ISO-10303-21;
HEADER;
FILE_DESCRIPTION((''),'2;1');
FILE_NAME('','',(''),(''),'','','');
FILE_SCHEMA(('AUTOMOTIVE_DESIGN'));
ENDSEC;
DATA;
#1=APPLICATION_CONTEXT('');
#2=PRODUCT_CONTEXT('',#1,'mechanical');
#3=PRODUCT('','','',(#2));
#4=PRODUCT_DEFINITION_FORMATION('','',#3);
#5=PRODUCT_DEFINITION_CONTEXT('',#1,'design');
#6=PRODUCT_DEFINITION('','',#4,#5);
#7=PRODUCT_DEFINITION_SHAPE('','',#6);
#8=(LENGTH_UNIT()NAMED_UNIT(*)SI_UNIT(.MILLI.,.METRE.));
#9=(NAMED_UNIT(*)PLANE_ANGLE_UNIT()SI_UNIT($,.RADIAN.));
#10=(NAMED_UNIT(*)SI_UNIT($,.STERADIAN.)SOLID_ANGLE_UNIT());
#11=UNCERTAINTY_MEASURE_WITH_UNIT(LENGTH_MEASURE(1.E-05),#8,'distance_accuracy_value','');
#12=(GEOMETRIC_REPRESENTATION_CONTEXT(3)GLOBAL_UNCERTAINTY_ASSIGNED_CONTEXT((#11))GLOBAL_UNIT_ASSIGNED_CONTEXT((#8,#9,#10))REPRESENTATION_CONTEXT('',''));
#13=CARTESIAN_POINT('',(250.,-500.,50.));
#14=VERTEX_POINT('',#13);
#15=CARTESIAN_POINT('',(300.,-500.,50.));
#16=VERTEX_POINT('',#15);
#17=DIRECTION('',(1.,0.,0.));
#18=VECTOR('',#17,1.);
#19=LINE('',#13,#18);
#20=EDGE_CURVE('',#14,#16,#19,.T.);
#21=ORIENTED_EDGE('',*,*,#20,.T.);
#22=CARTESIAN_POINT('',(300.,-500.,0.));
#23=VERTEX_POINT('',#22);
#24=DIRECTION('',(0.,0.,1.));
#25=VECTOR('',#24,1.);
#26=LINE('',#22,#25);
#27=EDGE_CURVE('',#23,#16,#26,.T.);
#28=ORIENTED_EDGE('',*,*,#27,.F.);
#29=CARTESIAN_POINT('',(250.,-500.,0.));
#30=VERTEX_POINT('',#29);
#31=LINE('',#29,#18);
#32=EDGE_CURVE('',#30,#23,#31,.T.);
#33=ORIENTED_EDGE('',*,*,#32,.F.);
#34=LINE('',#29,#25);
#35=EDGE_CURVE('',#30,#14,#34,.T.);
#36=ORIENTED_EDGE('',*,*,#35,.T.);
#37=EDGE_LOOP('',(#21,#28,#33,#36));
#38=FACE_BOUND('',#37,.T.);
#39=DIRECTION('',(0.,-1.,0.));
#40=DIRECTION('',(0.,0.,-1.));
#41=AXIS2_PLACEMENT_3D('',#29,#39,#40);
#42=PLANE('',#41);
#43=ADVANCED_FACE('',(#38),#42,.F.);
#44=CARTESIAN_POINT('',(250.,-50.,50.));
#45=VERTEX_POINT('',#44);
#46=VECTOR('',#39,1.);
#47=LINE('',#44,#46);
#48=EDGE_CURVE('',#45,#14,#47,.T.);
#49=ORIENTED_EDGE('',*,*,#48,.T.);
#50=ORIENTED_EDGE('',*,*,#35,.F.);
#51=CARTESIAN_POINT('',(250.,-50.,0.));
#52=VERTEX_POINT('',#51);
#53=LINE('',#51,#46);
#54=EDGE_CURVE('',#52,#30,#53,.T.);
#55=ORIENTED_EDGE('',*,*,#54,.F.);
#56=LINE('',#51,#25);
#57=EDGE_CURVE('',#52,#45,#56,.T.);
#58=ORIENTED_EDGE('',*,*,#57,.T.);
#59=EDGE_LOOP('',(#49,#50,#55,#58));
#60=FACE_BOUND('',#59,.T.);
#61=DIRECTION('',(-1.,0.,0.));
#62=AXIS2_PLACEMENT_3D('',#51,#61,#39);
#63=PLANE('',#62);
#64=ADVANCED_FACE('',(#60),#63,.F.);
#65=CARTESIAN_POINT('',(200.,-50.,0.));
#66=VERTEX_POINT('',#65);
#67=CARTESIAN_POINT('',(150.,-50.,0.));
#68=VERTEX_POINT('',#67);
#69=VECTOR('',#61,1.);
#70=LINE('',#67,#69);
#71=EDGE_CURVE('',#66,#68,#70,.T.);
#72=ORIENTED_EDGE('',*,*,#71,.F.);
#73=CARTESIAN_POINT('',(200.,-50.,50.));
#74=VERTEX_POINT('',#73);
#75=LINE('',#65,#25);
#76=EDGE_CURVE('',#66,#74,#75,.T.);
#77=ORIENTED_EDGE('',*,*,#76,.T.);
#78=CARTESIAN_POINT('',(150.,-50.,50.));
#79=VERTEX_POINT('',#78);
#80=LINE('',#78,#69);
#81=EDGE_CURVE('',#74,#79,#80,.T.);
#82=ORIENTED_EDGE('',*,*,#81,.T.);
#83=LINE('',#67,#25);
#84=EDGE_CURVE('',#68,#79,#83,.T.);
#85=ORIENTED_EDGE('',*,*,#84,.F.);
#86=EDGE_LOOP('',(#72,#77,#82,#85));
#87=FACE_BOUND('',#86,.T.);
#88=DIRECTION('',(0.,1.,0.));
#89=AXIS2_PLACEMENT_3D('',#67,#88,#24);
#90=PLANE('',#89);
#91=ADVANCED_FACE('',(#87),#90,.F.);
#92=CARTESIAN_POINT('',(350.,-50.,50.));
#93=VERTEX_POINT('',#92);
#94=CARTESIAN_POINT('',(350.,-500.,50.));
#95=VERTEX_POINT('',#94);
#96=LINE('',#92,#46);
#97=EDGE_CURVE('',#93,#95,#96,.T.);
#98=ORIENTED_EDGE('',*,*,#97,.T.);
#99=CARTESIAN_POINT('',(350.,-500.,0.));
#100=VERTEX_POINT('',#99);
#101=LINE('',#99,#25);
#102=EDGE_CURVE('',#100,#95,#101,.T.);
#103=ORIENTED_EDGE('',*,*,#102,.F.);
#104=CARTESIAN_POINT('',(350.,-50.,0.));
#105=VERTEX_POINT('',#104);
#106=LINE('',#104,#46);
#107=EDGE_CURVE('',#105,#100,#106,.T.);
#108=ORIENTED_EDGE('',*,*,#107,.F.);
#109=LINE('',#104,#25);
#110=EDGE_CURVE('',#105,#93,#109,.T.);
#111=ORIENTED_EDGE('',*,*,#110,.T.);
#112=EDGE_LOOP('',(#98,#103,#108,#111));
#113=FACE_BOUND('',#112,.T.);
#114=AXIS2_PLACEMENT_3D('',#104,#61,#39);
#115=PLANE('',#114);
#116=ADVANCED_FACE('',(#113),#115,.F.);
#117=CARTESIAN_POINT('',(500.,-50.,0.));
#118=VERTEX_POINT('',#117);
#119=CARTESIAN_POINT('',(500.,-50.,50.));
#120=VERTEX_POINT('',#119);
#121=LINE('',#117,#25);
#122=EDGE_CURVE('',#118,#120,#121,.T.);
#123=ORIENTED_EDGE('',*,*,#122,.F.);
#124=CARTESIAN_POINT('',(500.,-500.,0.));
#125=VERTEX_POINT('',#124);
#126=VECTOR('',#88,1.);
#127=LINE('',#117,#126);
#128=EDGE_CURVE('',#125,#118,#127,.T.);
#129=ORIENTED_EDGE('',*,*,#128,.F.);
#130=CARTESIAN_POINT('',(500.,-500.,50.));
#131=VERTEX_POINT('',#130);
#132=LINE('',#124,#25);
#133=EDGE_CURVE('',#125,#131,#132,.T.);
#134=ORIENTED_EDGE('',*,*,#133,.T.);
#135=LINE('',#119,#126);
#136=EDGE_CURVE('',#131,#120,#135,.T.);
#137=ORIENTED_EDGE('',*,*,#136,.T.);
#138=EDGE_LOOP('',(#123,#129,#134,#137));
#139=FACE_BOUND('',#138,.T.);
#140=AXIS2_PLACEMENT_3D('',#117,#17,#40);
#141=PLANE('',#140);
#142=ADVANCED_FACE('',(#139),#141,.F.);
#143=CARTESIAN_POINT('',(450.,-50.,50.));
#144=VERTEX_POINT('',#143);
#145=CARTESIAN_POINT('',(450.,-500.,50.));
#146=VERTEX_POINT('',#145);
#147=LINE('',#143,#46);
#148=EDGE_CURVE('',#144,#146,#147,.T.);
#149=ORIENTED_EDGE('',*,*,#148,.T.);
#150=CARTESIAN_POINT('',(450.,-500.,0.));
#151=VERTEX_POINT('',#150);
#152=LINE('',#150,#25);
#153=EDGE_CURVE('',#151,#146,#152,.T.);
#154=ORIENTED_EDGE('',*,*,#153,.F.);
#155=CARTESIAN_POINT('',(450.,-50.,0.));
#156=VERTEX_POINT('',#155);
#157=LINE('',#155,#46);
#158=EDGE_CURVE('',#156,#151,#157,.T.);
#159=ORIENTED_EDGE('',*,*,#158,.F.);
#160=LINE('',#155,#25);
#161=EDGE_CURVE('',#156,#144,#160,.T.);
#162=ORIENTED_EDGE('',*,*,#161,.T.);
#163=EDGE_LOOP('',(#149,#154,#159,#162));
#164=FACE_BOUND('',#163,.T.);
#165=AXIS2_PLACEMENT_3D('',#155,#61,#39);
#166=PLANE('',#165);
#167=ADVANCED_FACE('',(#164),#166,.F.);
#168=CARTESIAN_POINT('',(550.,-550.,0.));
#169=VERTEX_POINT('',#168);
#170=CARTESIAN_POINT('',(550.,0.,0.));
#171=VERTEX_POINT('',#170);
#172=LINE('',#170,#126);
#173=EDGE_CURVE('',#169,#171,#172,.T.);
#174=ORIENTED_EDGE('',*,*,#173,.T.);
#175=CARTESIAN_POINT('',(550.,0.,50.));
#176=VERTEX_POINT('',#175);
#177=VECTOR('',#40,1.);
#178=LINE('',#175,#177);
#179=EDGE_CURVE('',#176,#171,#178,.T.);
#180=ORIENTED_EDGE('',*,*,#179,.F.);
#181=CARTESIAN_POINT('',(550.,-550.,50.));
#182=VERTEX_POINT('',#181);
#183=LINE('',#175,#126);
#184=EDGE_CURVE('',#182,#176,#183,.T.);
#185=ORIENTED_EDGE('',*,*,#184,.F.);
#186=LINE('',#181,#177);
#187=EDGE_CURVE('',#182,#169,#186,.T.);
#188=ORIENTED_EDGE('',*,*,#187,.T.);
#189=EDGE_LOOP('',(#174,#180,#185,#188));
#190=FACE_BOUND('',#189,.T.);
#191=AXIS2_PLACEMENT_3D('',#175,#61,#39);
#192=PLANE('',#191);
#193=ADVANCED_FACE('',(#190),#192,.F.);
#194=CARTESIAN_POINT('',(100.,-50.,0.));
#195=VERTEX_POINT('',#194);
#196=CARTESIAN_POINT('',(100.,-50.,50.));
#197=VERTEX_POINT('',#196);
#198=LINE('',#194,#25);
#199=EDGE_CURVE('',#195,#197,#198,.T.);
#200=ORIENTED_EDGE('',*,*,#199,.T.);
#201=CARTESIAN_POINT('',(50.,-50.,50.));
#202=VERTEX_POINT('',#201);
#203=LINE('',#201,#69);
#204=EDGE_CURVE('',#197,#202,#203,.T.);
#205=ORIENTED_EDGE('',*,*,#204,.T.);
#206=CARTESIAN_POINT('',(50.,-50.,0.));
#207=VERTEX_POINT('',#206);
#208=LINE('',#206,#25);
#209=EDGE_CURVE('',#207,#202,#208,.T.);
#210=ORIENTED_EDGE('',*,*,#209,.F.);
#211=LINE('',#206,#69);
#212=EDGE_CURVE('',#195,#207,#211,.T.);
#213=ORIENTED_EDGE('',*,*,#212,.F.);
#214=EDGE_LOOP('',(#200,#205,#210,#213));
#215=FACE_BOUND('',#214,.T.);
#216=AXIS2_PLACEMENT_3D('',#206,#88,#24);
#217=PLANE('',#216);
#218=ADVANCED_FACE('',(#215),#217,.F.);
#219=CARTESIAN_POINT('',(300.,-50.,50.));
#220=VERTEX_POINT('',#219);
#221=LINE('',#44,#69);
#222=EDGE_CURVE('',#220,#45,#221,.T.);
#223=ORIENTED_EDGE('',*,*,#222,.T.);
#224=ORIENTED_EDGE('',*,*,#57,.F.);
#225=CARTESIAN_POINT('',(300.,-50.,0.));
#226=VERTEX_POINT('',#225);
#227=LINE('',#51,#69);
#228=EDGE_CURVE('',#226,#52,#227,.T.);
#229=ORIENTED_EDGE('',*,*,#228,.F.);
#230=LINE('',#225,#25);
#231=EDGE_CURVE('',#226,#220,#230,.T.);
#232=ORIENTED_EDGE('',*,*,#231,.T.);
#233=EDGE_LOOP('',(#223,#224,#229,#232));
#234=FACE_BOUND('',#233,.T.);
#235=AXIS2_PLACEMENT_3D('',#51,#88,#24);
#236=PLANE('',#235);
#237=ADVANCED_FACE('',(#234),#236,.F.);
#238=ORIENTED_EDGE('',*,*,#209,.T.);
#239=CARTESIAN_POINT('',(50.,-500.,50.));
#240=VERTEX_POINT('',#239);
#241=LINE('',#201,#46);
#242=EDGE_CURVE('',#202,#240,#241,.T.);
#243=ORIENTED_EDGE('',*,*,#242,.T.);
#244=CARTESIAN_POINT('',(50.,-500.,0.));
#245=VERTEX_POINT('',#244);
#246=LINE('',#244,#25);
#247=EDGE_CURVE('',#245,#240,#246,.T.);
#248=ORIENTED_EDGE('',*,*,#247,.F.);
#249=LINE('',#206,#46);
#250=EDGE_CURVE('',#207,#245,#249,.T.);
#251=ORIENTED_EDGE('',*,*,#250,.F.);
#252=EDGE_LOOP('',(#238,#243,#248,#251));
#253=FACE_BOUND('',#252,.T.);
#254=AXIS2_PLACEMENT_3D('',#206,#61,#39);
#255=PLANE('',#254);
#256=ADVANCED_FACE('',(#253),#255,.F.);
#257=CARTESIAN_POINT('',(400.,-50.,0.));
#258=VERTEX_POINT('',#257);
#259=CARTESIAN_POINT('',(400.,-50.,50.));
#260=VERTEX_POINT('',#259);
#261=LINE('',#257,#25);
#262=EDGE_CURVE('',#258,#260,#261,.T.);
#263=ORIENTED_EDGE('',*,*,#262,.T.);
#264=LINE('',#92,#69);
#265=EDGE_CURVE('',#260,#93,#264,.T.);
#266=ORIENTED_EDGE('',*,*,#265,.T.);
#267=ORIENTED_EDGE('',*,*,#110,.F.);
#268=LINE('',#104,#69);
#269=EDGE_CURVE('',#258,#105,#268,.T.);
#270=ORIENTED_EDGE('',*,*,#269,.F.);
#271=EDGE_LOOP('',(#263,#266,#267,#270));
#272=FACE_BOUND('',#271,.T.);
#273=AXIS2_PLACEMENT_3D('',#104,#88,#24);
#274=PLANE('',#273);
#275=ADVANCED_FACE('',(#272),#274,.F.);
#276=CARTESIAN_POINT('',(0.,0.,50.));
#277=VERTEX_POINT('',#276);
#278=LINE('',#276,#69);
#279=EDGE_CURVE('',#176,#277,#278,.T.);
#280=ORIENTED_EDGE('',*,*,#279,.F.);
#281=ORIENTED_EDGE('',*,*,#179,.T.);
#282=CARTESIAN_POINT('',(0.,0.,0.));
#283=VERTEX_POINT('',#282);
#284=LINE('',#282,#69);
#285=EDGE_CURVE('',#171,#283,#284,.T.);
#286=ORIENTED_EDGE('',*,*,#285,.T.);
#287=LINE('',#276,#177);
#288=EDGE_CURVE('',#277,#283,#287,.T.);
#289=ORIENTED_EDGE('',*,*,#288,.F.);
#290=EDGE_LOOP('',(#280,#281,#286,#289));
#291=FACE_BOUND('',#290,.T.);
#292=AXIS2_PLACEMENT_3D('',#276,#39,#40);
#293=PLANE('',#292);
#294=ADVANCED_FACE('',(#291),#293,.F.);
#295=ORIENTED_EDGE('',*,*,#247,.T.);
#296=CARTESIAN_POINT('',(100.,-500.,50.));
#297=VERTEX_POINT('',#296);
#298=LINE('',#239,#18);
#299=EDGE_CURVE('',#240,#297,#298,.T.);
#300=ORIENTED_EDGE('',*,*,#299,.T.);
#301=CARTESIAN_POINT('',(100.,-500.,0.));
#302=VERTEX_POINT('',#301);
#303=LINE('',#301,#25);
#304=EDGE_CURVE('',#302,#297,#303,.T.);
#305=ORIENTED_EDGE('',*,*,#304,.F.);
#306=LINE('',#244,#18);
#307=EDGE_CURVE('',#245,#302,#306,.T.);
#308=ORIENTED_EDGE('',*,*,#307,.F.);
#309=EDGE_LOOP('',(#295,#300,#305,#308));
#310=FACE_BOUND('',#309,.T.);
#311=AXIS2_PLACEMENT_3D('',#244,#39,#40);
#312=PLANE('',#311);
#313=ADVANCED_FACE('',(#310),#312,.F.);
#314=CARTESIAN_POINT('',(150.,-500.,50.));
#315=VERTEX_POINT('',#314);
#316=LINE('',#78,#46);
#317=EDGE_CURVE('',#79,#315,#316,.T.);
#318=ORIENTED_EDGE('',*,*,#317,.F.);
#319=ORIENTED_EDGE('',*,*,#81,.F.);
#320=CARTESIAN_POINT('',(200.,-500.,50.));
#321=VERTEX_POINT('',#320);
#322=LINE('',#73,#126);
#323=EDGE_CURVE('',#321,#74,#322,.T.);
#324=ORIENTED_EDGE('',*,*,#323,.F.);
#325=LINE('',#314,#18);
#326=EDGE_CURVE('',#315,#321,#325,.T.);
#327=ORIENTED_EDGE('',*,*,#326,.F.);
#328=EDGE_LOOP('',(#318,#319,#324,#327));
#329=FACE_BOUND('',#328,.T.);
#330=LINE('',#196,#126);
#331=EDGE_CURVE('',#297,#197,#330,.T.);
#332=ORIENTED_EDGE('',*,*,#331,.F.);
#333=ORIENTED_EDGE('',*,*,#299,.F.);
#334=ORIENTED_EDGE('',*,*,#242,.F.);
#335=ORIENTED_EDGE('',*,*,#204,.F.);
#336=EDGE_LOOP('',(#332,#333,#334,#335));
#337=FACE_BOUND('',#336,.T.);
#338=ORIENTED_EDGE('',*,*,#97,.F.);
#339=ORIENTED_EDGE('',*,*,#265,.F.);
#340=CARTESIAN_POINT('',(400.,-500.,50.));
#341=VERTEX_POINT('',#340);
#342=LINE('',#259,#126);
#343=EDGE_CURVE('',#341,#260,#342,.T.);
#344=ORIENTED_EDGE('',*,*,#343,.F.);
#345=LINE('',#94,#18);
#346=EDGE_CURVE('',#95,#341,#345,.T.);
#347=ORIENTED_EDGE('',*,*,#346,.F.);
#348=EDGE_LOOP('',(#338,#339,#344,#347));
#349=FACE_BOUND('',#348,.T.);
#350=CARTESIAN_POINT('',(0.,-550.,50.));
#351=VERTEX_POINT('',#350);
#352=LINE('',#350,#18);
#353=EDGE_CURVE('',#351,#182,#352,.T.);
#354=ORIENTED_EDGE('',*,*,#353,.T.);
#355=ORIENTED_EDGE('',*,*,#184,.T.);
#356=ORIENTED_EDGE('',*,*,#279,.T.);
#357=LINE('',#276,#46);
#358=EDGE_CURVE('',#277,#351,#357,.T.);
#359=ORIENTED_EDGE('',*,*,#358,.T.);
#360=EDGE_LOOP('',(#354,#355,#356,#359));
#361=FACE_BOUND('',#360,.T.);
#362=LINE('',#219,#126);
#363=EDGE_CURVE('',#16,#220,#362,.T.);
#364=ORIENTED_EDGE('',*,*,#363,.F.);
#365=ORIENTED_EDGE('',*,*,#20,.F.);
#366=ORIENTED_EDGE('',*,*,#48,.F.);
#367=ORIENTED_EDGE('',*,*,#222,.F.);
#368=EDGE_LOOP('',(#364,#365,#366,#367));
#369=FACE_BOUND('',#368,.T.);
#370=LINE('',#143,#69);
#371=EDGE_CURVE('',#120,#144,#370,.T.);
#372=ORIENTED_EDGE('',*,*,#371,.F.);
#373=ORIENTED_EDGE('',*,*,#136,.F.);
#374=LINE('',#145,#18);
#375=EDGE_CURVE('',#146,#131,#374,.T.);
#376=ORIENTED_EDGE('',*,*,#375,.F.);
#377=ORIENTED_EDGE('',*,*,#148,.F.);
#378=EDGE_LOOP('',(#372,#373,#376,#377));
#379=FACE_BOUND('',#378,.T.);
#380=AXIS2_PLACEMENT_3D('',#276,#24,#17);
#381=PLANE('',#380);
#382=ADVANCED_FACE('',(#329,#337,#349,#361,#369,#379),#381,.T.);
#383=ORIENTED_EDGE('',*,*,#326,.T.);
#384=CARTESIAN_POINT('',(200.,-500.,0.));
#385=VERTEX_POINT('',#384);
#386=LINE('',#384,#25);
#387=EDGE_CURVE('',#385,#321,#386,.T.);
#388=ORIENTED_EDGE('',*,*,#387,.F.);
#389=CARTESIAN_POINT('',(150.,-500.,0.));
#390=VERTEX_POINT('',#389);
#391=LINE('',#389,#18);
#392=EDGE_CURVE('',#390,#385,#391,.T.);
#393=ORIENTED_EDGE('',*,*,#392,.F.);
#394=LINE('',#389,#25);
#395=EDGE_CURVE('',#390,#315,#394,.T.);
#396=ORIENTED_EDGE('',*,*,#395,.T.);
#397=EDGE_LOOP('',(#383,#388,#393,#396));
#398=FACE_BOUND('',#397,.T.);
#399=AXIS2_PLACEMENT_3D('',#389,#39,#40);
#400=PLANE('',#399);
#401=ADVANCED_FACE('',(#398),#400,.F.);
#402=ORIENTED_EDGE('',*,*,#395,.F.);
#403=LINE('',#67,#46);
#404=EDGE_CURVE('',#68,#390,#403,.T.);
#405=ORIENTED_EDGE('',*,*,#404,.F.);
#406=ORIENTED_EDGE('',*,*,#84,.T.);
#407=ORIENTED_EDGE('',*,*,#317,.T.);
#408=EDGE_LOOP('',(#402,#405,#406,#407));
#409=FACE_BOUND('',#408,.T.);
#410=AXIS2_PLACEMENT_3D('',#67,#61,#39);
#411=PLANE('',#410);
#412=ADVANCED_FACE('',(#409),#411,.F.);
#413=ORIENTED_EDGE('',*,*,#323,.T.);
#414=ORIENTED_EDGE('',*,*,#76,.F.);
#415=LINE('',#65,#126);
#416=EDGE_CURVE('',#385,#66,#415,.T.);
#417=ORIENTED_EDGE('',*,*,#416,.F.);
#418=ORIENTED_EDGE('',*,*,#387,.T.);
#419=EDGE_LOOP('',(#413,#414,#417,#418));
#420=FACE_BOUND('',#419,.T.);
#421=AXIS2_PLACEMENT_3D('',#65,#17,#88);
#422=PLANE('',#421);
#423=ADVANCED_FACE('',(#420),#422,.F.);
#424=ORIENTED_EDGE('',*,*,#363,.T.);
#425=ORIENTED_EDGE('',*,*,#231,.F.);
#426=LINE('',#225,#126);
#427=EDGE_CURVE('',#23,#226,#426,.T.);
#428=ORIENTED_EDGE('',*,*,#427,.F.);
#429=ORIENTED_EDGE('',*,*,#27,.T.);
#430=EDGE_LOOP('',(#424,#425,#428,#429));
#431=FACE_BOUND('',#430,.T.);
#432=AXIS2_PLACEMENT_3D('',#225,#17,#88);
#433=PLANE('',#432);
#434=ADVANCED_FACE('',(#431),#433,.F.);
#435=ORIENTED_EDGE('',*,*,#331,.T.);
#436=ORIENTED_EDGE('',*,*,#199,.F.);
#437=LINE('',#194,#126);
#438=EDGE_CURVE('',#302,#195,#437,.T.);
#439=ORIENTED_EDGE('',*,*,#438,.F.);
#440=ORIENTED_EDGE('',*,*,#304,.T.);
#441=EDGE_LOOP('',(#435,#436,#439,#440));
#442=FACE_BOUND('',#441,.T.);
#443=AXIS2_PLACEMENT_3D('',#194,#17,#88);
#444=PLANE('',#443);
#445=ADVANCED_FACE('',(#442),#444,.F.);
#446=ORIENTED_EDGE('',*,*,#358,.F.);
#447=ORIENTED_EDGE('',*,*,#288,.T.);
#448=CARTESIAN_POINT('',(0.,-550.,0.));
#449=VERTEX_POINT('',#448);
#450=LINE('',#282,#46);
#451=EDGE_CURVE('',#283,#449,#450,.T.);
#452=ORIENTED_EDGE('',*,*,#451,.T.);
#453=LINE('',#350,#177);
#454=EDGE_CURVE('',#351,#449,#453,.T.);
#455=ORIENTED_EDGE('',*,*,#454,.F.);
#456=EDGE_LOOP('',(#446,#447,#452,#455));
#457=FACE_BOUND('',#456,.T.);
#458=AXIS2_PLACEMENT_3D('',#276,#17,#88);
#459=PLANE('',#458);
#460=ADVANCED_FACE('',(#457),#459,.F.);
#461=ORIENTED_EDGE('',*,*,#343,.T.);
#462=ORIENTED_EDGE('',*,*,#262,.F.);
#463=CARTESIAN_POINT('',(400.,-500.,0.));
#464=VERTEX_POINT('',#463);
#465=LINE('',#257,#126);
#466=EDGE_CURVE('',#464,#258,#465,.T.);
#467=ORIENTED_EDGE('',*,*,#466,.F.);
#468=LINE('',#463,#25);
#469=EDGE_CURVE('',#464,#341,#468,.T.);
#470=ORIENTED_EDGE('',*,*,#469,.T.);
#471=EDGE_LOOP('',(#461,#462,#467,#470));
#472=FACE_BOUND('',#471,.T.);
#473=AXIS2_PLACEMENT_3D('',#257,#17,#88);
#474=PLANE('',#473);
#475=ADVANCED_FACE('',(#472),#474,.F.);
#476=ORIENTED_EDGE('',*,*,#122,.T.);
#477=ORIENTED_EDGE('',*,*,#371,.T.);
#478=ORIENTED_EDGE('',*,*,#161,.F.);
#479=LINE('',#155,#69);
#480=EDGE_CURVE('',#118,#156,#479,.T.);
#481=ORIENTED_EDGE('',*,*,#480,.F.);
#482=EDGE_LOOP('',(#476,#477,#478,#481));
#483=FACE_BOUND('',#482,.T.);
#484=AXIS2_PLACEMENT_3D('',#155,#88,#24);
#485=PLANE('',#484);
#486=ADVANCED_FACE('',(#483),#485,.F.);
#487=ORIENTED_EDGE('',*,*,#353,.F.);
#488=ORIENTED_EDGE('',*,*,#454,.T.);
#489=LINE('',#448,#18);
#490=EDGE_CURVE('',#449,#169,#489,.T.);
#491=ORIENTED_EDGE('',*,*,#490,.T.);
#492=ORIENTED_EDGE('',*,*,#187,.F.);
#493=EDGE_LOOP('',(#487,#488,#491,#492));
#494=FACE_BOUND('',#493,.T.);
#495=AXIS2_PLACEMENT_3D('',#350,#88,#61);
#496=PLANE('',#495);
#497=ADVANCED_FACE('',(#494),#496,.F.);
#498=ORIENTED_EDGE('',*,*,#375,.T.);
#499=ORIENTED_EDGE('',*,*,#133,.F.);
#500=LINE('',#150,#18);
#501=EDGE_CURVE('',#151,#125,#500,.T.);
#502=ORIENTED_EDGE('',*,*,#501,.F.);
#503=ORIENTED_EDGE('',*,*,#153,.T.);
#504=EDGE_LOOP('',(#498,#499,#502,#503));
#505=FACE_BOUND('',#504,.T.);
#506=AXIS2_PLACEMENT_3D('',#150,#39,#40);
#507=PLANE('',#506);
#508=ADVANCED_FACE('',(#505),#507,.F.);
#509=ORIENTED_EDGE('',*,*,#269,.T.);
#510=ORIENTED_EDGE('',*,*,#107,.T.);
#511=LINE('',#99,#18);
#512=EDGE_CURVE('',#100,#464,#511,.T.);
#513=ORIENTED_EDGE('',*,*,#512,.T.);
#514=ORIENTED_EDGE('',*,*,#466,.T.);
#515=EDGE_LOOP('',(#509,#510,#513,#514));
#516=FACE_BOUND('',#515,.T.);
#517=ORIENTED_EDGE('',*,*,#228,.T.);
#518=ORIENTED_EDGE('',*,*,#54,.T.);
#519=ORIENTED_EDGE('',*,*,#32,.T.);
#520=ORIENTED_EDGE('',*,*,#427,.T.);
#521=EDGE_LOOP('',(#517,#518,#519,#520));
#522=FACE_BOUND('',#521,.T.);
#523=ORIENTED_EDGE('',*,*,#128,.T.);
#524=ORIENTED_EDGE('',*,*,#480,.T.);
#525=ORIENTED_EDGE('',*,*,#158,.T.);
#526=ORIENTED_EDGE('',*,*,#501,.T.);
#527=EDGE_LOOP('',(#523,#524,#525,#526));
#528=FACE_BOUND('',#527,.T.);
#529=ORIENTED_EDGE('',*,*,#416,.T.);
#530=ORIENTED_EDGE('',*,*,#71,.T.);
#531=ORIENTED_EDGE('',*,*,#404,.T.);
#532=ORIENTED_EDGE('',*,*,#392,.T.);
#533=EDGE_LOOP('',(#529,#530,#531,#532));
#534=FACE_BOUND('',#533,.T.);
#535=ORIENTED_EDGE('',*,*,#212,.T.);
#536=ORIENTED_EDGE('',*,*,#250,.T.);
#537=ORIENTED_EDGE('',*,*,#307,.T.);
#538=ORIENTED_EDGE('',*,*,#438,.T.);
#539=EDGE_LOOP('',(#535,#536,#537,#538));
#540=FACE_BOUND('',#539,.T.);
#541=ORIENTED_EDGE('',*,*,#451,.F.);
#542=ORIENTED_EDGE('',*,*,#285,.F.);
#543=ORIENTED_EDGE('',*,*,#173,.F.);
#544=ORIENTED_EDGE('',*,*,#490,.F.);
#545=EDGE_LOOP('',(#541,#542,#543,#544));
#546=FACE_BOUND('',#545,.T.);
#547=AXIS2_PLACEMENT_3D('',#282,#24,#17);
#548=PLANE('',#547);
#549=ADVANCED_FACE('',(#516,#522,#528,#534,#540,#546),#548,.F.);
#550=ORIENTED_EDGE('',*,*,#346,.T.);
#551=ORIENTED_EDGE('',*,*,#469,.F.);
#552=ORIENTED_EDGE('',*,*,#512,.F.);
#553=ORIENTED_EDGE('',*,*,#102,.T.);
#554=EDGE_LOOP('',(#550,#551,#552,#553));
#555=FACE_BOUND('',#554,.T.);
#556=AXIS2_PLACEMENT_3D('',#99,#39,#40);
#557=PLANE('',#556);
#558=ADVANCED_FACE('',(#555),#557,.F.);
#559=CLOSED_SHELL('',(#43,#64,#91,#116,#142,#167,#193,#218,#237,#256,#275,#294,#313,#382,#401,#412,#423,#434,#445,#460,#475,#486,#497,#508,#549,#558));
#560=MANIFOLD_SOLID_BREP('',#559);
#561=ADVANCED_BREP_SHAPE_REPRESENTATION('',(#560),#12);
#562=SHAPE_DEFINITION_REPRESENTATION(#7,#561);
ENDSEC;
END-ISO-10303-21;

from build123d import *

# Parameters (mm, degrees)
SKETCH_1_W          = 550
SKETCH_1_H          = 550
EXTRUDE_1_DEPTH     = 50
SKETCH_4_W          = 50
SKETCH_4_H          = 450
CUT_EXTRUDE_2_DEPTH = 780.422863406


with BuildPart() as part:
    # Эскиз1 → Бобышка-Вытянуть1 (new body)
    with BuildSketch(Plane.XY):
        with Locations((275, -275)):
            Rectangle(SKETCH_1_W, SKETCH_1_H)
    extrude(amount=EXTRUDE_1_DEPTH)

    # Эскиз4 → Вырез-Вытянуть2 (cut, through all)
    with BuildSketch(Plane.XY.offset(50)):
        with Locations((75, -275)):
            Rectangle(SKETCH_4_W, SKETCH_4_H)
        with Locations((175, -275)):
            Rectangle(SKETCH_4_W, SKETCH_4_H)
        with Locations((275, -275)):
            Rectangle(SKETCH_4_W, SKETCH_4_H)
        with Locations((375, -275)):
            Rectangle(SKETCH_4_W, SKETCH_4_H)
        with Locations((475, -275)):
            Rectangle(SKETCH_4_W, SKETCH_4_H)
    extrude(amount=-CUT_EXTRUDE_2_DEPTH, mode=Mode.SUBTRACT)


solid = part.part
